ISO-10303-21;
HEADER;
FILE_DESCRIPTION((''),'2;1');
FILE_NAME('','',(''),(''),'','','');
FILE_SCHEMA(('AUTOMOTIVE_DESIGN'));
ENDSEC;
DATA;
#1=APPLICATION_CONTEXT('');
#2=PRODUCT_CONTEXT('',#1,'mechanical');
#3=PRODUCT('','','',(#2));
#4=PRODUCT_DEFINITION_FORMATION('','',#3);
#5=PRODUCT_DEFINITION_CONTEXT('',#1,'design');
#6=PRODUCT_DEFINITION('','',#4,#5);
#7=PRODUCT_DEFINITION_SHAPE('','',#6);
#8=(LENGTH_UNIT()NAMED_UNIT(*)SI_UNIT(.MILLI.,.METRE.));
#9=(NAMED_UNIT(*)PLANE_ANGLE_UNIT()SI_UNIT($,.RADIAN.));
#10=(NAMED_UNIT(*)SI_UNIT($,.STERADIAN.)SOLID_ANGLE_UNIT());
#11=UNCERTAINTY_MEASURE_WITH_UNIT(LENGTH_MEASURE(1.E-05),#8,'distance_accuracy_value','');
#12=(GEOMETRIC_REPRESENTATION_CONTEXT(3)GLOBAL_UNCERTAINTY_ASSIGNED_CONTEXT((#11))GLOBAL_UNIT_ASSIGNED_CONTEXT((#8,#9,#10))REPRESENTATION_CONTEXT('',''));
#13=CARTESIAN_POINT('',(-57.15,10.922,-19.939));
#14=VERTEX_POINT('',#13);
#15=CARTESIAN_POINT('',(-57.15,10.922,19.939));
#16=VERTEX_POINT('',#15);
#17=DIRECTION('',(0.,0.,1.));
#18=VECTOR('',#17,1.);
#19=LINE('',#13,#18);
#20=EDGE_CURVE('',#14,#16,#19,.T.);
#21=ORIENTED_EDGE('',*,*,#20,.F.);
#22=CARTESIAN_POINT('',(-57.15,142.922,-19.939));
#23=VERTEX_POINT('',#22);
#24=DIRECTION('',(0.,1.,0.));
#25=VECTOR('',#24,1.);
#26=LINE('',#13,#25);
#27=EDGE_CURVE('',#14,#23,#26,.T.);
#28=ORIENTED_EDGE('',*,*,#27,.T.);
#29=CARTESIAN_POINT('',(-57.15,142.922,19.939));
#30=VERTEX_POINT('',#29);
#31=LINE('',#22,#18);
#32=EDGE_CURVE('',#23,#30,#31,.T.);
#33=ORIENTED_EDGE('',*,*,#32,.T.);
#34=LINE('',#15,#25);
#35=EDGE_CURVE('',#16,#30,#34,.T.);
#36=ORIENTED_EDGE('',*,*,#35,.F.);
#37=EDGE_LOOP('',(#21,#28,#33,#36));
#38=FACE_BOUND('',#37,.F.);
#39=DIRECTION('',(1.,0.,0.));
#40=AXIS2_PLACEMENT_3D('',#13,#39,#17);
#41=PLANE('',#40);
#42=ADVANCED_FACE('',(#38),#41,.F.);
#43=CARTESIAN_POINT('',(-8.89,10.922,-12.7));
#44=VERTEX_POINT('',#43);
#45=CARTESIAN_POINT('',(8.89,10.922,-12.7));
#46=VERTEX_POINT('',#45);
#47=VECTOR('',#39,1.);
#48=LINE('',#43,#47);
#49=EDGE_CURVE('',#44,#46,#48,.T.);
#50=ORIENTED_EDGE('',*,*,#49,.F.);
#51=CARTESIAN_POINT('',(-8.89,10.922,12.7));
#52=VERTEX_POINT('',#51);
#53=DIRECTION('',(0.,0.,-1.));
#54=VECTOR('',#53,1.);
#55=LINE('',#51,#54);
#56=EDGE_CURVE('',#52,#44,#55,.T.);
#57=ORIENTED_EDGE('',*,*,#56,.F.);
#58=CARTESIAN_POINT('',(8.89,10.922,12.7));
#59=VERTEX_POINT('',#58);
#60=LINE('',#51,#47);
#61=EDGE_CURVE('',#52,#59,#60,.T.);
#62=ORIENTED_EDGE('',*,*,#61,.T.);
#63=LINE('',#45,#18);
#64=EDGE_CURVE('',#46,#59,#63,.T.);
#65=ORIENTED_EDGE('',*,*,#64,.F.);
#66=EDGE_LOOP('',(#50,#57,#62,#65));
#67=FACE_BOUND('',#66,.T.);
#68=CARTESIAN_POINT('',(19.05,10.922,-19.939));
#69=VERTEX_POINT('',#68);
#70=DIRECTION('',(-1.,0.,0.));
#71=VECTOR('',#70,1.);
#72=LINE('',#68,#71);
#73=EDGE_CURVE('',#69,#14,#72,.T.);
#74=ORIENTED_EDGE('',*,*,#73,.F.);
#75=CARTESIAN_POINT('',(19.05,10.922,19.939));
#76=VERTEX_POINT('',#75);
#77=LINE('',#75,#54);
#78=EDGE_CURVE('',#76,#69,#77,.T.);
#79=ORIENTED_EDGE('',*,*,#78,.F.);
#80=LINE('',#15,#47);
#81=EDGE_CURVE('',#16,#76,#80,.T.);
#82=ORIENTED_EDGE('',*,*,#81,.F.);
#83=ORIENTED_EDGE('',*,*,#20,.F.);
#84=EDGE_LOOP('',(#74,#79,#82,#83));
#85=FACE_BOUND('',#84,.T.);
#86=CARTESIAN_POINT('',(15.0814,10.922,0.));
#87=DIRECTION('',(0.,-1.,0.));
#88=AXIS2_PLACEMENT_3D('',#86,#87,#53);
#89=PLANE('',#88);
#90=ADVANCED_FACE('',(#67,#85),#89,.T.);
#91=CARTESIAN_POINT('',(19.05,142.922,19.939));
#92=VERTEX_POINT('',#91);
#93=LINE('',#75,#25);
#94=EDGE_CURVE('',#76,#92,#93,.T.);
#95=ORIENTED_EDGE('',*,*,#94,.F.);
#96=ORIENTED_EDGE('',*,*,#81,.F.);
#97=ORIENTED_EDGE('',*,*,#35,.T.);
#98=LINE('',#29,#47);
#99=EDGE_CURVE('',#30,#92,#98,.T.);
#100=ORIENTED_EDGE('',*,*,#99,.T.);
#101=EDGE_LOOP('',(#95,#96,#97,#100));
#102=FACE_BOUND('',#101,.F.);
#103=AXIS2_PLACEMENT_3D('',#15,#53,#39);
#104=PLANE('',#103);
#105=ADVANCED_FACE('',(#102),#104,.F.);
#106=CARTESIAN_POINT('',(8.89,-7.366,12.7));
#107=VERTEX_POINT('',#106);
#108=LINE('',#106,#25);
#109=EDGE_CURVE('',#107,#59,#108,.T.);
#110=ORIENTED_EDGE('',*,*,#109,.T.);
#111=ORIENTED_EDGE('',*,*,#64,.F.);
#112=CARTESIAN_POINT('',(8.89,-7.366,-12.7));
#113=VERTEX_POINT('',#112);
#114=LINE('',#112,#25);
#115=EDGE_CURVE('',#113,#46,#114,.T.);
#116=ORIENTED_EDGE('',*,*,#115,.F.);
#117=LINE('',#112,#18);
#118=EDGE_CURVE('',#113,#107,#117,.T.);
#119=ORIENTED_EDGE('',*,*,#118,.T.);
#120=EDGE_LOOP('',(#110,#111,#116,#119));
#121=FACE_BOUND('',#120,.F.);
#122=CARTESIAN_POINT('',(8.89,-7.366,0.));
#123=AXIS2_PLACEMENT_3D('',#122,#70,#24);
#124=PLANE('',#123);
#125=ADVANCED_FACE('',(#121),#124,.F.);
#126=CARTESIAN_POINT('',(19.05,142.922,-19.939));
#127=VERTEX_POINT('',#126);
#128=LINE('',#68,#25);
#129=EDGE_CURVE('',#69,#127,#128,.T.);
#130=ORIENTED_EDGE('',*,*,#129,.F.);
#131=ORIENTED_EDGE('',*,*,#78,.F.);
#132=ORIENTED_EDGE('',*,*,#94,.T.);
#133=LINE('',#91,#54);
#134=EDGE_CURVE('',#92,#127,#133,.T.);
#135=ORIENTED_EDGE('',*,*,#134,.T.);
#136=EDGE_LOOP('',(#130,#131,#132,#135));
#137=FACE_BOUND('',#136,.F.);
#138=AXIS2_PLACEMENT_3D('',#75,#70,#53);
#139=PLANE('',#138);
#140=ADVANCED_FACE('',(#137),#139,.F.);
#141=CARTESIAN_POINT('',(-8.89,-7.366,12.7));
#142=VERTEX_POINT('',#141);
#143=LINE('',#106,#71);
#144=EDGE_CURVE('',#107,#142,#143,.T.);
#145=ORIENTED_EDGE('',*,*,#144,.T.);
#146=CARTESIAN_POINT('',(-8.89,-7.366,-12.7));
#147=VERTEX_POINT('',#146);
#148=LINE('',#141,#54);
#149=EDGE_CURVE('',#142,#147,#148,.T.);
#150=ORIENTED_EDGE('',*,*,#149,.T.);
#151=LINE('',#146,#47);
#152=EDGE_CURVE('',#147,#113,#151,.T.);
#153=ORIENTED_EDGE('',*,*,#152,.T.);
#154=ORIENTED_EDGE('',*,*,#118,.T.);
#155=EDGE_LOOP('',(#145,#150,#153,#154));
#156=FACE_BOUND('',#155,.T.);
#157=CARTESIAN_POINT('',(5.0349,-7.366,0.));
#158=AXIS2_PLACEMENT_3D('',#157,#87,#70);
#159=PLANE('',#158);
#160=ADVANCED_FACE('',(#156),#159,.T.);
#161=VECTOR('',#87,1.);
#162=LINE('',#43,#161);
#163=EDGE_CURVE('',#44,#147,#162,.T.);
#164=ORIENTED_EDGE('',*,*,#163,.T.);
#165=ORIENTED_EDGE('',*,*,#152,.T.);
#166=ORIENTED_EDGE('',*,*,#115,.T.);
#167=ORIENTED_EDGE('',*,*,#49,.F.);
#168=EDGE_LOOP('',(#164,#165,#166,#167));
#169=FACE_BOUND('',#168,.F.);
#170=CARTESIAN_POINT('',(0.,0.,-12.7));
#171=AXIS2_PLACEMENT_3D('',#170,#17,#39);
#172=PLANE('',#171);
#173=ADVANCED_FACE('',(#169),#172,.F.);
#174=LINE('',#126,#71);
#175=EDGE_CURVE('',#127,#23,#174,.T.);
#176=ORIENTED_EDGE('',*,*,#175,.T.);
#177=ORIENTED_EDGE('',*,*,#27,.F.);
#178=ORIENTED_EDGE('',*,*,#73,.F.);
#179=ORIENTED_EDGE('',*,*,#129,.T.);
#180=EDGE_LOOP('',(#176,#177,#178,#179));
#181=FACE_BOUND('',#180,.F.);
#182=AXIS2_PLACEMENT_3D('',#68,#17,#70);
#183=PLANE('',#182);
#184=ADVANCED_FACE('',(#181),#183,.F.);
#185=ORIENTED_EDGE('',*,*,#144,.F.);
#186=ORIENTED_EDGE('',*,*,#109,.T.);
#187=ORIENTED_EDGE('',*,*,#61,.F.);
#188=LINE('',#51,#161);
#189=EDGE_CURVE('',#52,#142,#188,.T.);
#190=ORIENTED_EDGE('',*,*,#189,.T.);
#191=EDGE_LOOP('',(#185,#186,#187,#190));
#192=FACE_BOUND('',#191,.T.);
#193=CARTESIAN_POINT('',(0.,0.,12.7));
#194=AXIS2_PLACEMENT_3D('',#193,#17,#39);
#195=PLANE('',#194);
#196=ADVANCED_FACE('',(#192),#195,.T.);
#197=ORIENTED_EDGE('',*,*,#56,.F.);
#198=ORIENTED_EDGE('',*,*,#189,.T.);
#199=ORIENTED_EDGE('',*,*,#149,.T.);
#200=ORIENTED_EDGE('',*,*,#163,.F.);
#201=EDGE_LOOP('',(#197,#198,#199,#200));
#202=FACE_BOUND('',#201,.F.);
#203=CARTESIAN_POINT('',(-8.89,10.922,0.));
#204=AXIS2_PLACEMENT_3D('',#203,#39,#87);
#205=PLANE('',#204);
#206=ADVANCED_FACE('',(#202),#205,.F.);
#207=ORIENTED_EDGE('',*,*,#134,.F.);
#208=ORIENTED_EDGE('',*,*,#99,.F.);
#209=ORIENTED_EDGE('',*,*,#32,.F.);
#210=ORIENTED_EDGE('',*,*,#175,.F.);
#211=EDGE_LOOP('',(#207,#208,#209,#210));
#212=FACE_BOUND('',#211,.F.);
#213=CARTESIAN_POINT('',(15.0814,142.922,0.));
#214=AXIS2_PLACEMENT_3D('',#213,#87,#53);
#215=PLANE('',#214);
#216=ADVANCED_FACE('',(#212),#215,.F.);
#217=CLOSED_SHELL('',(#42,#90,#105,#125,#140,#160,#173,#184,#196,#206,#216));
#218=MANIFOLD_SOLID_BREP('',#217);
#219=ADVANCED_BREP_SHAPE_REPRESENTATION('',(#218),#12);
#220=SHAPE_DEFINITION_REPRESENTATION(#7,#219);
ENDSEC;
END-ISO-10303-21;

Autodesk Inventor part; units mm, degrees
ref_plane "XZ Plane" through (0, 0, 0) normal (0, 1, 0) x (-1, 0, 0)
sketch "Sketch1" plane through (0, 0, 0) normal (0, 0, 1) x (1, 0, 0)
  circle A0 centre (0, 0) radius 3.175 projected
  line L0 (5.0349, -7.366) -> (-5.0349, -7.366) projected
  line L1 (-8.89, 10.922) -> (-8.89, -7.366) projected
  line L2 (8.89, -7.366) -> (8.89, 10.922) projected
  line L3 (-37.211, 10.922) -> (12.7, 10.922) construction
  line L4 (-8.89, 10.922) -> (8.89, 10.922)
  line L5 (8.89, 10.922) -> (8.89, -7.366)
  line L6 (8.89, -7.366) -> (-8.89, -7.366)
  line L7 (-8.89, -7.366) -> (-8.89, 10.922)
extrude "Extrusion1" add sketch "Sketch1" along normal mid plane 25.4 contours A0 | L0 L6 L1 L4 L2
ref_plane "Work Plane1" through (15.0814, 10.922, 0) normal (0, -1, 0) x (0, 0, -1)
sketch "Sketch3" plane through (15.0814, 10.922, 0) normal (0, -1, 0) x (0, 0, -1)
  line L0 (-19.939, 3.9686) -> (19.939, 3.9686)
  line L1 (19.939, 3.9686) -> (19.939, -72.2314)
  line L2 (19.939, -72.2314) -> (-19.939, -72.2314)
  line L3 (-19.939, -72.2314) -> (-19.939, 3.9686)
  line L4 (-9.525, 3.9686) -> (9.525, 3.9686) construction
  arc A0 (-19.939, -52.2924) -> (19.939, -52.2924) centre (0, -52.2924) ccw construction
  point P0 (0, -15.0814)
  point P1 (-19.939, -2.3814)
  point P2 (19.939, -2.3814)
extrude "Extrusion2" add sketch "Sketch3" against normal blind 132
properties part number "UpperArmActuatorBaseBoundingBox"
